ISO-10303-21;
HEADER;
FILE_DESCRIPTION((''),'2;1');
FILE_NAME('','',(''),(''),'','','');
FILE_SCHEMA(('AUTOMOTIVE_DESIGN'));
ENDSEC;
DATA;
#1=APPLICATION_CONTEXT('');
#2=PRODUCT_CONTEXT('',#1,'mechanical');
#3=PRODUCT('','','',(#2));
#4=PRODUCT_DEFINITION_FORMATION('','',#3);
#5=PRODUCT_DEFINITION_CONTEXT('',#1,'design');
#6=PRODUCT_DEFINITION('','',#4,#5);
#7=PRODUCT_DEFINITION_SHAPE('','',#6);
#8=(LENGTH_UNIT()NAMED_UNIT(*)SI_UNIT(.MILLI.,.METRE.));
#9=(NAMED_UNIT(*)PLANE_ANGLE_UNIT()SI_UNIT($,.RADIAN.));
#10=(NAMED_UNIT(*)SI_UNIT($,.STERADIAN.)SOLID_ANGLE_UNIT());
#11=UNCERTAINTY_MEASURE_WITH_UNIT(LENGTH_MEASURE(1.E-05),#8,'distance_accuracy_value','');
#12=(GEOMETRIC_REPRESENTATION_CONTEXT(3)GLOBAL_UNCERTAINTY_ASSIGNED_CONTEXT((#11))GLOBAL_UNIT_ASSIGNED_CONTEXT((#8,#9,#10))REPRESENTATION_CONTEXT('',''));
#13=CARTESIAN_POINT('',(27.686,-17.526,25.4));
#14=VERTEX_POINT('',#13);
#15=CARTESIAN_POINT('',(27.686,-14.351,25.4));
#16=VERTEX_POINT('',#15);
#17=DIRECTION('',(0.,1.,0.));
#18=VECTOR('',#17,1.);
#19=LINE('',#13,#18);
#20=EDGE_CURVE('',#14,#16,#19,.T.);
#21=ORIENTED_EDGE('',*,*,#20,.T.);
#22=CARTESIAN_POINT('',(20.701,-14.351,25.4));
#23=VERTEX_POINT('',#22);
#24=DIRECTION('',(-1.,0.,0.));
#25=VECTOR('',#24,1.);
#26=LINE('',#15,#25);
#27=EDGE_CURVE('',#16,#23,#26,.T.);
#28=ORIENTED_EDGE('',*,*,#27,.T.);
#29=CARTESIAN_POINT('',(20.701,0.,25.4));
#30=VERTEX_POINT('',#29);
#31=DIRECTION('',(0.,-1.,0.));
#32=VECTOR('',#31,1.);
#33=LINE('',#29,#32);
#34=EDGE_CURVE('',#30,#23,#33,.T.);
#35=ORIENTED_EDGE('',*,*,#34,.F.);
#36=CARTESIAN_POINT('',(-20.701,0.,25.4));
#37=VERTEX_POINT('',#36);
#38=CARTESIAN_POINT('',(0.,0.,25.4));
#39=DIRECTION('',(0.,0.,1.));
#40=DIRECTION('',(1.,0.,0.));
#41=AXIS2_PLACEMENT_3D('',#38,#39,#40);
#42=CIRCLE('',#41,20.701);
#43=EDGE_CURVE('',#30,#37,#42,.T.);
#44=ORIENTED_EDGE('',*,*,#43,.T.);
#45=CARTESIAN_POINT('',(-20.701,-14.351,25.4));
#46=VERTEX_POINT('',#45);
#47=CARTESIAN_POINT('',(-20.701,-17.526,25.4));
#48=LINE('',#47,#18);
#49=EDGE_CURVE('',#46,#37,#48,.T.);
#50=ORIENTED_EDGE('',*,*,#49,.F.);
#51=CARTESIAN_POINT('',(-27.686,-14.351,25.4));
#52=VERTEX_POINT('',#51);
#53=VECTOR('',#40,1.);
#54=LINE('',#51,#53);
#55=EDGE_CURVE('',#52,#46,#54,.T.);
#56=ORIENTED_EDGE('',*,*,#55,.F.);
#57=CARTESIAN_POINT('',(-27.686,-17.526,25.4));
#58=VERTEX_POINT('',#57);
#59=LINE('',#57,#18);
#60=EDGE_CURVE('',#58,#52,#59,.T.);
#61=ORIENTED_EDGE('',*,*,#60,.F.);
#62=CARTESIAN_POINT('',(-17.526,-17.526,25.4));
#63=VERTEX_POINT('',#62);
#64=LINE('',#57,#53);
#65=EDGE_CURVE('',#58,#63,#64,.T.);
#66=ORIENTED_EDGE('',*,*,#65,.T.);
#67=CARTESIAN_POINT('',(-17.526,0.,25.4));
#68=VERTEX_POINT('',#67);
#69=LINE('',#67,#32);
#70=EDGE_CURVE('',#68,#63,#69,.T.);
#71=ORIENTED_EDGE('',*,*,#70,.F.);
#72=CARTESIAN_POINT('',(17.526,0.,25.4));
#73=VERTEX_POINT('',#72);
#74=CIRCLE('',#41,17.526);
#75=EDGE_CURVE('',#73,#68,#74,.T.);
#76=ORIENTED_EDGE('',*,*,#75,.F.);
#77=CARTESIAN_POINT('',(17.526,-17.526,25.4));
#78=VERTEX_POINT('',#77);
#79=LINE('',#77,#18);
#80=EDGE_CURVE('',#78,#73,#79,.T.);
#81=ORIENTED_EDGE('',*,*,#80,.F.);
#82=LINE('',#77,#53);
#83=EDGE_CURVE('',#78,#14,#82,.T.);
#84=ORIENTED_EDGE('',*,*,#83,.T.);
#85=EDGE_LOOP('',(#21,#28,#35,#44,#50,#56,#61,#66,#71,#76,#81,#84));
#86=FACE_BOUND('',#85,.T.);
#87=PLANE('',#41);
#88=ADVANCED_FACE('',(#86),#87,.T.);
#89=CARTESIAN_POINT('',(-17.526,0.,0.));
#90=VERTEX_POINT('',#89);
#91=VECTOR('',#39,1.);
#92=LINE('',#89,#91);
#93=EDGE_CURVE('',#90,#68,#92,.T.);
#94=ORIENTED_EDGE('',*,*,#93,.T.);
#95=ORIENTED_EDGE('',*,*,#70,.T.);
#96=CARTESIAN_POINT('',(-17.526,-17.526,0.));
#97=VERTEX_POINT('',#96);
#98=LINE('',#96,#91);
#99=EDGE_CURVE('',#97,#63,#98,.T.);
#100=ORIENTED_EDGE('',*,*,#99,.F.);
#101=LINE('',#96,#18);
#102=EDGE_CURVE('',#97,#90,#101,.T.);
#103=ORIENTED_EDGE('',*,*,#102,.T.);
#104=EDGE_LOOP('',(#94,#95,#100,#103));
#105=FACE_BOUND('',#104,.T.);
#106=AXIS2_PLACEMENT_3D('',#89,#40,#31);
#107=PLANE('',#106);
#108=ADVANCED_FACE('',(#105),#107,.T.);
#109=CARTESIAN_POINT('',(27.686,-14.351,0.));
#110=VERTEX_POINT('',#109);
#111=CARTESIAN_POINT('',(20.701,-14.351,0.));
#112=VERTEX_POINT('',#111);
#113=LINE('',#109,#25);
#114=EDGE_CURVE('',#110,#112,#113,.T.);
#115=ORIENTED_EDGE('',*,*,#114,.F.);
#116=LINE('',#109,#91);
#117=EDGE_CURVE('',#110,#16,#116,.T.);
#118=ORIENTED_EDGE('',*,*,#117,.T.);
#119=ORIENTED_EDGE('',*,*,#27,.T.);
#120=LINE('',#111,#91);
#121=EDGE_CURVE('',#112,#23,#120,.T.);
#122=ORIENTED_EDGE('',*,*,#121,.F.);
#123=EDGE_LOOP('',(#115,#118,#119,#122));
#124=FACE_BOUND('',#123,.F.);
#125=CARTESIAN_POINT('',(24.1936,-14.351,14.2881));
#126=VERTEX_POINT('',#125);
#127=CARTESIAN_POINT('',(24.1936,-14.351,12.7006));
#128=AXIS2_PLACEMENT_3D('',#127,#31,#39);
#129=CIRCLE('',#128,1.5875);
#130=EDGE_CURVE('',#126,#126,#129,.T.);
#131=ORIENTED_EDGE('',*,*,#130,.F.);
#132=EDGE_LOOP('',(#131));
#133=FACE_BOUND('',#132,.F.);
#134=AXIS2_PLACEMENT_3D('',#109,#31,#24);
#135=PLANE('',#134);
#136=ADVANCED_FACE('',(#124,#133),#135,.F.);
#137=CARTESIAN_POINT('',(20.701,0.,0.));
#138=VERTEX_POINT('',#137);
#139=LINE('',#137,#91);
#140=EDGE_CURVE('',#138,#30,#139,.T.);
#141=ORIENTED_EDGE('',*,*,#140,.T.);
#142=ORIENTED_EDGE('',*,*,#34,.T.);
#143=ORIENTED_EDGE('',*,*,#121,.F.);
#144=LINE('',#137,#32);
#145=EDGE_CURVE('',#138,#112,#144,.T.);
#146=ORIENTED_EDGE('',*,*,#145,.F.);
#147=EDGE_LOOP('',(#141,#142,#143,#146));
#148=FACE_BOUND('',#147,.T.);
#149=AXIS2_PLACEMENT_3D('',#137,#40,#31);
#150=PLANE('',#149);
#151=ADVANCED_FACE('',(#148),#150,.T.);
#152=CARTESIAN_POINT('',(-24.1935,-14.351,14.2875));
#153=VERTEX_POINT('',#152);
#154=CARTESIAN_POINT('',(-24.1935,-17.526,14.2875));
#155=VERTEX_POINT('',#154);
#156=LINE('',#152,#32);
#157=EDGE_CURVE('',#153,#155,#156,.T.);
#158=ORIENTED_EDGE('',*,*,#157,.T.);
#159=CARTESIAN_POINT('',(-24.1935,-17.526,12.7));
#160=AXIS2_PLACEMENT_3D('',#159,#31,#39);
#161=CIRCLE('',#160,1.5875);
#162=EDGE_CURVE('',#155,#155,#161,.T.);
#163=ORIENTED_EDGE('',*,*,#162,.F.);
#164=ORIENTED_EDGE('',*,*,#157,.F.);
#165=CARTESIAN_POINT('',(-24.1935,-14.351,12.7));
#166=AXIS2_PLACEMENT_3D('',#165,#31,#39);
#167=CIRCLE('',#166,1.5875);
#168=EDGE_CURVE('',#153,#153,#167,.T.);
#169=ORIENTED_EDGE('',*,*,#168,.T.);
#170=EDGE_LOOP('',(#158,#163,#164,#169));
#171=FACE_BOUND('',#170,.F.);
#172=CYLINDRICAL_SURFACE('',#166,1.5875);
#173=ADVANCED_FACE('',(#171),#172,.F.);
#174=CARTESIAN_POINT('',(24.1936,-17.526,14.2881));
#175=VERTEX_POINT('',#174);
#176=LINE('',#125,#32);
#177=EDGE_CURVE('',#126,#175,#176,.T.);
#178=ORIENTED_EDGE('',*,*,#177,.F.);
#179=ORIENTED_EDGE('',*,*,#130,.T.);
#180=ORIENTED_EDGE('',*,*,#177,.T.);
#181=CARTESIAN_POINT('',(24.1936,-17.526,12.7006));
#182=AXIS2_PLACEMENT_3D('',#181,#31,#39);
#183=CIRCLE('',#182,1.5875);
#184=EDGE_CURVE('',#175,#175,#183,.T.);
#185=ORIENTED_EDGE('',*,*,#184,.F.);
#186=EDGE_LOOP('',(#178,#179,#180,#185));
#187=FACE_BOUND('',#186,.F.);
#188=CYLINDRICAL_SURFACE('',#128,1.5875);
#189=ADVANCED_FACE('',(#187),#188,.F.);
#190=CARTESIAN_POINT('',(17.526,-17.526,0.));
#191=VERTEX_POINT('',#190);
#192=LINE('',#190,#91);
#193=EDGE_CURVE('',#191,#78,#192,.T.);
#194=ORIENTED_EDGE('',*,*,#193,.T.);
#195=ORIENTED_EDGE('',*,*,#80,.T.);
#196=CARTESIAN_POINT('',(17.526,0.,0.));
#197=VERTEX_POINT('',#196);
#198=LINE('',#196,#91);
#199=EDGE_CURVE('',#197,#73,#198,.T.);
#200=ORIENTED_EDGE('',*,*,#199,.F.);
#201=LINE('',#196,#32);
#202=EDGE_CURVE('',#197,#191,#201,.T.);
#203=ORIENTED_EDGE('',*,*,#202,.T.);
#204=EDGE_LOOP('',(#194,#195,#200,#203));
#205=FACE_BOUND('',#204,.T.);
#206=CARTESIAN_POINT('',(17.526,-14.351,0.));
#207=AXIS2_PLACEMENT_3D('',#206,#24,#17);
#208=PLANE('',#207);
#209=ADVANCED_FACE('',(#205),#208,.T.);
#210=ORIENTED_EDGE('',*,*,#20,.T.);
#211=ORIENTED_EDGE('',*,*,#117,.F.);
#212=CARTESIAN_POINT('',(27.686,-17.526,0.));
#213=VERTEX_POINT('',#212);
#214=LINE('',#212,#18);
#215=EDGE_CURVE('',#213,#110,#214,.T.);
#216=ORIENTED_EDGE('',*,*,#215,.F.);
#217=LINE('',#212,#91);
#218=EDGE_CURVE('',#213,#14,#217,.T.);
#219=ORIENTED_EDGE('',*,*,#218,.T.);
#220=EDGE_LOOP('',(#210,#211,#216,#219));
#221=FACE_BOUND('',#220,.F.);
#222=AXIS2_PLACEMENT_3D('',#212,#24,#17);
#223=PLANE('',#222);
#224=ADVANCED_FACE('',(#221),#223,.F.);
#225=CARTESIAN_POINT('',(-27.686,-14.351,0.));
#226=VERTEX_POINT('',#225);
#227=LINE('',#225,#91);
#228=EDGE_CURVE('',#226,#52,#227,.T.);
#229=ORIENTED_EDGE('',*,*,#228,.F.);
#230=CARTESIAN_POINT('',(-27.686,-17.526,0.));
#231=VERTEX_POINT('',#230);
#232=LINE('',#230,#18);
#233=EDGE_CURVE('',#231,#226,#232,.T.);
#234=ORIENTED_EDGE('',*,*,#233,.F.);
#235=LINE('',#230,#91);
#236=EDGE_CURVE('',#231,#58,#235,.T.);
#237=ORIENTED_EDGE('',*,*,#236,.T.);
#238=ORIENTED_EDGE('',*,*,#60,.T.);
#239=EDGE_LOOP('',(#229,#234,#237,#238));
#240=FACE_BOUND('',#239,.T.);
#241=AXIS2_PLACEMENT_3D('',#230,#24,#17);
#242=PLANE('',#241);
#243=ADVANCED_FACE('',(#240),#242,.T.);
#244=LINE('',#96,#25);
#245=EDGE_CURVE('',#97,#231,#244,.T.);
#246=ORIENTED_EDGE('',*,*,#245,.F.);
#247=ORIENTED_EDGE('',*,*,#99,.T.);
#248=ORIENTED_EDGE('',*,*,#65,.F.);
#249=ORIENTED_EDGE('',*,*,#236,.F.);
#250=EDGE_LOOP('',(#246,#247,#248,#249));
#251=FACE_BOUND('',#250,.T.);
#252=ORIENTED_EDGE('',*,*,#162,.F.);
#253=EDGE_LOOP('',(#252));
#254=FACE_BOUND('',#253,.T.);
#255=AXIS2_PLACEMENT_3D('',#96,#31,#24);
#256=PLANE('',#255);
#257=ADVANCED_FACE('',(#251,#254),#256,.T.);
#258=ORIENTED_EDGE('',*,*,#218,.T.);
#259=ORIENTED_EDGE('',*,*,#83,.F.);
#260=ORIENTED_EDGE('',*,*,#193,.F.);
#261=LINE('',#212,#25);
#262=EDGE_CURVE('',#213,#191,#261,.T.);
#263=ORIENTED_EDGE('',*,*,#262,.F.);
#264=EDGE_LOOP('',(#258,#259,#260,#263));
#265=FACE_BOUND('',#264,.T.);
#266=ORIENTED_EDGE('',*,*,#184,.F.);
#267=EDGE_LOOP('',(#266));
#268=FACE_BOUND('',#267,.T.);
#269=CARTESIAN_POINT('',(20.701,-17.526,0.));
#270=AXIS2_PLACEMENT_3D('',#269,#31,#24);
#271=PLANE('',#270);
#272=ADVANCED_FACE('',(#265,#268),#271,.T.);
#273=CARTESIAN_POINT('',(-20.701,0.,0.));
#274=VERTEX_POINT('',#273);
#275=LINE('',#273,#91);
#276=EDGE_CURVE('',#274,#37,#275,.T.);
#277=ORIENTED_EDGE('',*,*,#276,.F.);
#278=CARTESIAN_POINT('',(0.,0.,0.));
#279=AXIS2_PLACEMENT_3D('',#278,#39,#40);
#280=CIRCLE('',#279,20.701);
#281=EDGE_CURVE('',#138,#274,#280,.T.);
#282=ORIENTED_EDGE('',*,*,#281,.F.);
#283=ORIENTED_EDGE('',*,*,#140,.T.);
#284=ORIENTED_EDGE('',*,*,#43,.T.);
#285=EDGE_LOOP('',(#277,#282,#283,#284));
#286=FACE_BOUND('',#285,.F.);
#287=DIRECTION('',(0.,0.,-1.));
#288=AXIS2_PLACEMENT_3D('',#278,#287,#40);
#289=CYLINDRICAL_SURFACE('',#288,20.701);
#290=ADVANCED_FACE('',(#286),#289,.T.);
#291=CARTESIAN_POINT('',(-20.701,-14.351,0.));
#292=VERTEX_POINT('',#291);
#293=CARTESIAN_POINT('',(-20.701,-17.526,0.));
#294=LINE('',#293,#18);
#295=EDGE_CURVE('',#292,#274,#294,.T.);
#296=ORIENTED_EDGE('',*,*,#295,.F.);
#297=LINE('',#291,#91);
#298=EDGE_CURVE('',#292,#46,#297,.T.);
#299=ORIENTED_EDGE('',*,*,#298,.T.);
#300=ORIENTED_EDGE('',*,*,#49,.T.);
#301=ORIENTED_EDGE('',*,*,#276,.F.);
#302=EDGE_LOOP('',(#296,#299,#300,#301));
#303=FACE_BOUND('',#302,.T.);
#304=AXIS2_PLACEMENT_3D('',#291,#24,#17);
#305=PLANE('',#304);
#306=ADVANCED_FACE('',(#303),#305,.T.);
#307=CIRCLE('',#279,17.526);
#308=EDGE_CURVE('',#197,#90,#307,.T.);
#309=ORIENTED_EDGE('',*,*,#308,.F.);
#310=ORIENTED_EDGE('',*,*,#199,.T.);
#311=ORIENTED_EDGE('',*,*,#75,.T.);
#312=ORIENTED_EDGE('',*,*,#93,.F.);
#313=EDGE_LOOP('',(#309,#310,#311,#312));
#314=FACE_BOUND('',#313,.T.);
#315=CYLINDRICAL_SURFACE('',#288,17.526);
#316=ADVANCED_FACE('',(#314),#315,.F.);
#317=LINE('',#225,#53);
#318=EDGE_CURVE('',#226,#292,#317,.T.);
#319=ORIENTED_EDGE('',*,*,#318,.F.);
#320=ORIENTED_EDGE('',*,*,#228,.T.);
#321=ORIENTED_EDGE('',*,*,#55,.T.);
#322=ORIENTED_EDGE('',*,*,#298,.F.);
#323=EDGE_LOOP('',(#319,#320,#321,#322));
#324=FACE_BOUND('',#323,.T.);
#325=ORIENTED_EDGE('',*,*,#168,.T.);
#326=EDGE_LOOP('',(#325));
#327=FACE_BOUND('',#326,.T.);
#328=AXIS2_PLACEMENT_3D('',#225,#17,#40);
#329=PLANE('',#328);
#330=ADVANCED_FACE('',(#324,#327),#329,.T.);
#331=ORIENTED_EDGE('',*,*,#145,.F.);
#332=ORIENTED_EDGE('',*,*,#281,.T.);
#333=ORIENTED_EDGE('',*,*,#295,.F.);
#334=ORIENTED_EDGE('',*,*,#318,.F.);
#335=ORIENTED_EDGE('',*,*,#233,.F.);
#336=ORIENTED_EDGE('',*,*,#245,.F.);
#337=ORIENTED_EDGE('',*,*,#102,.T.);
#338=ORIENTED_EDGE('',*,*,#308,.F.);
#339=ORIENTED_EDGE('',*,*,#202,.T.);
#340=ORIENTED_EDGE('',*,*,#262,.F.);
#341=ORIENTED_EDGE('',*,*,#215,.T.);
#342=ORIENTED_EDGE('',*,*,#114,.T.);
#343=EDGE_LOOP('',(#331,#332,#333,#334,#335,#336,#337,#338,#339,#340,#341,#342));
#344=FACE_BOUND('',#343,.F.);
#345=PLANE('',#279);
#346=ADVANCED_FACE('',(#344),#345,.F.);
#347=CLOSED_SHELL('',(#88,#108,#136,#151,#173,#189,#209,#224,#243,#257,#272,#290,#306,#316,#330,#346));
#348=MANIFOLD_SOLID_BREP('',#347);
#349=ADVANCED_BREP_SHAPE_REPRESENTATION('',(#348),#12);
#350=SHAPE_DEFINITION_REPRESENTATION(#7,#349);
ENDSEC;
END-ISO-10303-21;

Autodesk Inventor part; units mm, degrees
ref_plane "YZ Plane" through (0, 0, 0) normal (1, 0, 0) x (0, 1, 0)
ref_plane "XZ Plane" through (0, 0, 0) normal (0, 1, 0) x (-1, 0, 0)
ref_plane "XY Plane" through (0, 0, 0) normal (0, 0, 1) x (1, 0, 0)
sketch "Sketch1" plane through (0, 0, 0) normal (0, 0, 1) x (1, 0, 0)
  arc A0 (17.526, 0) -> (-17.526, 0) centre (0, 0) ccw
  arc A1 (20.701, 0) -> (-20.701, 0) centre (0, 0) ccw
  line L0 (17.526, 0) -> (20.701, 0)
  line L1 (20.701, 0) -> (20.701, -17.526)
  line L2 (20.701, -17.526) -> (17.526, -17.526)
  line L3 (17.526, -17.526) -> (17.526, 0)
  line L4 (-20.701, 0) -> (-17.526, 0)
  line L5 (-17.526, 0) -> (-17.526, -17.526)
  line L6 (-17.526, -17.526) -> (-20.701, -17.526)
  line L7 (-20.701, -17.526) -> (-20.701, 0)
  line L8 (-17.526, -17.526) -> (-27.686, -17.526)
  line L9 (-27.686, -17.526) -> (-27.686, -14.351)
  line L10 (-27.686, -14.351) -> (-17.526, -14.351)
  line L11 (-17.526, -14.351) -> (-17.526, -17.526)
  line L12 (17.526, -17.526) -> (27.686, -17.526)
  line L13 (27.686, -17.526) -> (27.686, -14.351)
  line L14 (27.686, -14.351) -> (17.526, -14.351)
  line L15 (17.526, -14.351) -> (17.526, -17.526)
  point P0 (-20.701, -14.351)
  point P1 (20.701, -14.351)
  dimension "d0" = 17.526
  dimension "d1" = 3.175
  dimension "d23" = 3.175
  dimension "d24" = 17.526
  dimension "d25" = 3.175
  dimension "d26" = 17.526
  dimension "d27" = 10.16
  dimension "d28" = 3.175
  dimension "d29" = 10.16
  dimension "d30" = 3.175
extrude "Extrusion1" add sketch "Sketch1" along normal blind 25.4
sketch "Sketch5" plane through (-27.686, -14.351, 0) normal (0, 1, 0) x (1, 0, 0)
  line L0 (6.985, 0) -> (0, 0) construction
  line L1 (6.985, -25.4) -> (0, -25.4) construction
  line L2 (0, 0) -> (6.985, -25.4) construction
  line L3 (0, 0) -> (0, -25.4) construction
  line L4 (6.985, 0) -> (0, -25.4) construction
  line L5 (45.212, -25.4) -> (55.372, -25.4) construction
  line L6 (48.387, 0) -> (55.372, -25.4) construction
  line L7 (45.212, 0) -> (55.372, 0) construction
  line L8 (55.372, 0) -> (48.387, -25.4) construction
  point P0 (27.686, 0)
  point P1 (3.4925, -12.7)
sketch "Sketch6" plane through (20.701, -14.351, 0) normal (0, 1, 0) x (1, 0, 0)
  point P0 (-20.701, 0)
  point P1 (3.4926, -12.7006)
hole "Hole3" at (24.1936, -14.351, 12.7006) direction (0, -1, 0) diameter 3.175 end through all
hole "Hole4" at (-24.1935, -14.351, 12.7) direction (0, -1, 0) diameter 3.175 end through all
properties part number "ShootingMech_MotorMount"
